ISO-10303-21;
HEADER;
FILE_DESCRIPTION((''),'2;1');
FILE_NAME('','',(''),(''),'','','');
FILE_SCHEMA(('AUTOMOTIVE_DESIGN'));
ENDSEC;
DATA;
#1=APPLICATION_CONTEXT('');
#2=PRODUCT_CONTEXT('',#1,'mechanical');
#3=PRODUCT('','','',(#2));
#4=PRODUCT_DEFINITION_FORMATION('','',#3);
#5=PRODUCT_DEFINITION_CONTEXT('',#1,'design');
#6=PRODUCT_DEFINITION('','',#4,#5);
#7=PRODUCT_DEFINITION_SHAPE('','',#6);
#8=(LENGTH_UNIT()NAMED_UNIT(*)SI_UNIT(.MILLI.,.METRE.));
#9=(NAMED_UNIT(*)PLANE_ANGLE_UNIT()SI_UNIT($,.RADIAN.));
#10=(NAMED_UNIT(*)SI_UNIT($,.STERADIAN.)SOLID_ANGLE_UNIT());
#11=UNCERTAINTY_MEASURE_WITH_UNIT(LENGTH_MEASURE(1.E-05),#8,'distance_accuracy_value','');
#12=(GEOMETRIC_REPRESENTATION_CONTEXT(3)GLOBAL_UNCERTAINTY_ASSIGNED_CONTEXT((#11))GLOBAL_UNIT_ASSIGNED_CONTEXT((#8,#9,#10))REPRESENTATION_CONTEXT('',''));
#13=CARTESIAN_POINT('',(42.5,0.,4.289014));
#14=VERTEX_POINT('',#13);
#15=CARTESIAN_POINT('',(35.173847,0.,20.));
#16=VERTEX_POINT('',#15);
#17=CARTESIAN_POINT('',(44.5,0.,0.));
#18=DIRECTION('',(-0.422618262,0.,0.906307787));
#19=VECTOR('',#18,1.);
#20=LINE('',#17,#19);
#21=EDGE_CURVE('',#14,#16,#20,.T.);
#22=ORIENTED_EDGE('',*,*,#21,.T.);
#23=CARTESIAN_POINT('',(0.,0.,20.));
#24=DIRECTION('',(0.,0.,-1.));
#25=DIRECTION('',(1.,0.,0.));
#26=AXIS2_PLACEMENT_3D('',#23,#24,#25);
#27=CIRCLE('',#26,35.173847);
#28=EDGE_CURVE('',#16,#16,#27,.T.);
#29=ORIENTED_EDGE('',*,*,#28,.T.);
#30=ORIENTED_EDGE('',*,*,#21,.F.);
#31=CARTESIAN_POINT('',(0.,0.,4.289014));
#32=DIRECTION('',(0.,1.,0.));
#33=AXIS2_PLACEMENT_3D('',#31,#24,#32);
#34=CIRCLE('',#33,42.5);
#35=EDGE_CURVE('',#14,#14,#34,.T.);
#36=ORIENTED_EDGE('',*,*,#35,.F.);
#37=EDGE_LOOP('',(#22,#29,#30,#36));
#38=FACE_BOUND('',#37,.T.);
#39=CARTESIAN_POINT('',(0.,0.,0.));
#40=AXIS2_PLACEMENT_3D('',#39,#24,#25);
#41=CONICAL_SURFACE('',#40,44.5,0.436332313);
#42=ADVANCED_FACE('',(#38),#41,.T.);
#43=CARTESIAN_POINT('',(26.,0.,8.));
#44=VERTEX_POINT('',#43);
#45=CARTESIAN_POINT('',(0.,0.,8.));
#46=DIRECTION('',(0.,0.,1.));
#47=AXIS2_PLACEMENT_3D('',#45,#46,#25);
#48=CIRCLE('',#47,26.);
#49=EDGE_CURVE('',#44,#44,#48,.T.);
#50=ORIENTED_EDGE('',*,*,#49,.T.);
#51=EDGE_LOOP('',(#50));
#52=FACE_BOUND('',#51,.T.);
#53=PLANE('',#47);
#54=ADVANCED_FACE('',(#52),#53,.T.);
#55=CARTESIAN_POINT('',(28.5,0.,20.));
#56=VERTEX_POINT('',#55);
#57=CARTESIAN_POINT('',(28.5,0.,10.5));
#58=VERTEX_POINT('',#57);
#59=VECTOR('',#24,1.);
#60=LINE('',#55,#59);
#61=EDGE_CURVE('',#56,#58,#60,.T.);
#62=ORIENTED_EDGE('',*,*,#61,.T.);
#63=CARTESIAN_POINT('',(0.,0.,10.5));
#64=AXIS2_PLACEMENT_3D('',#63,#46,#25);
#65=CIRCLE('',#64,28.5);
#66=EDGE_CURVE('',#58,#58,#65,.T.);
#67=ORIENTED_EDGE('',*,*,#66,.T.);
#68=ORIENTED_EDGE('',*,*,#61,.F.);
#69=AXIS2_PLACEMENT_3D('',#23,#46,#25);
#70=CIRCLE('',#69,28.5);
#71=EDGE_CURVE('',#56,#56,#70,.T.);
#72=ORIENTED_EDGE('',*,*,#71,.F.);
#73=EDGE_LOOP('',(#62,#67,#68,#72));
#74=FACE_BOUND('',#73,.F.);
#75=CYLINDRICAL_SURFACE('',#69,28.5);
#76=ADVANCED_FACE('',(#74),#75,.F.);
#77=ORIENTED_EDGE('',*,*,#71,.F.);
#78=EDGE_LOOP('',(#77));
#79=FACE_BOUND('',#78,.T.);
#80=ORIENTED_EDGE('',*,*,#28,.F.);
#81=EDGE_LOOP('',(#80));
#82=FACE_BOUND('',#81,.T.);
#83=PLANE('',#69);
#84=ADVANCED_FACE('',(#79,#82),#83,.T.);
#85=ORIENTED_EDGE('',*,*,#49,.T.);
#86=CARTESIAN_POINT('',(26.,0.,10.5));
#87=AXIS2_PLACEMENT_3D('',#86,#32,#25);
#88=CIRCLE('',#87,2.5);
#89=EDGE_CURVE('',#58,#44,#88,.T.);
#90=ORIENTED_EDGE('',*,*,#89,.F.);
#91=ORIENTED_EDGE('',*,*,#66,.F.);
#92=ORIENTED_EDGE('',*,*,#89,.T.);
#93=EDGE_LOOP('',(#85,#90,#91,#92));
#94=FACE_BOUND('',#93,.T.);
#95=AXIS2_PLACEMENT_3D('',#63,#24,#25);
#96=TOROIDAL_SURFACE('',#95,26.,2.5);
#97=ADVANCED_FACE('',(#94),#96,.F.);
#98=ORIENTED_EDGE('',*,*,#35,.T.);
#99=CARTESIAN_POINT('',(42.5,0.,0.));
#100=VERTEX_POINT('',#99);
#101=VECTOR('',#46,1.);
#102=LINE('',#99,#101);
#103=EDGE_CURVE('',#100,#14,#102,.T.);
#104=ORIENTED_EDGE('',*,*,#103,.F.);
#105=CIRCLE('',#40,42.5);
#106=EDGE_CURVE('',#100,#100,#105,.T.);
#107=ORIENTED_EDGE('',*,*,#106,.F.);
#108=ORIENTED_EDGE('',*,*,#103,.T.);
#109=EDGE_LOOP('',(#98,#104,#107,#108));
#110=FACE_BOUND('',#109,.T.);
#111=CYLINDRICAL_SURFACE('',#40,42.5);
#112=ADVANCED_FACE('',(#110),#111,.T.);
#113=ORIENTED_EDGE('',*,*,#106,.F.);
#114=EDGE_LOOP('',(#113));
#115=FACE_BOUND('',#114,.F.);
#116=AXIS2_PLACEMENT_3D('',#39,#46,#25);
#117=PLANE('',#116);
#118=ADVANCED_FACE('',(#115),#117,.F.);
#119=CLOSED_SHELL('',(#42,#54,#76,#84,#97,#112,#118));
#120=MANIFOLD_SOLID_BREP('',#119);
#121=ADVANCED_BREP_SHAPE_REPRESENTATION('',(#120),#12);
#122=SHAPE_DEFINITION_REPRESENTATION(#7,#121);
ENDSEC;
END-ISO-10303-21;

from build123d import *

# Parameters (mm, degrees)
F0_R     = 44.5
F1_DEPTH = 20
F1_TAPER = 25
F2_R     = 28.5
F3_DEPTH = 12
F4_R     = 44.5
F4_R_2   = 42.5
F5_DEPTH = 20.001
F6_R     = 2.5


with BuildPart() as f1:
    # F0 (on Top) → F1 (new body)
    with BuildSketch(Plane.XY):
        Circle(F0_R)
    extrude(amount=F1_DEPTH, taper=F1_TAPER)

    # F2 (on face) → F3 (cut)
    with BuildSketch(Plane.XY.offset(20)):
        Circle(F2_R)
    extrude(amount=-F3_DEPTH, mode=Mode.SUBTRACT)

    # F4 (on face) → F5 (cut, through all)
    with BuildSketch(Plane(origin=(0, 0, 0), x_dir=(1, 0, 0), z_dir=(0, 0, -1))):
        Circle(F4_R)
        Circle(F4_R_2, mode=Mode.SUBTRACT)
    extrude(amount=-F5_DEPTH, mode=Mode.SUBTRACT)

    # F6
    f6_edges = [f1.edges().sort_by_distance(p)[0] for p in [
        (-28.5, 0, 8),
    ]]
    fillet(f6_edges, radius=F6_R)


solid = f1.part
